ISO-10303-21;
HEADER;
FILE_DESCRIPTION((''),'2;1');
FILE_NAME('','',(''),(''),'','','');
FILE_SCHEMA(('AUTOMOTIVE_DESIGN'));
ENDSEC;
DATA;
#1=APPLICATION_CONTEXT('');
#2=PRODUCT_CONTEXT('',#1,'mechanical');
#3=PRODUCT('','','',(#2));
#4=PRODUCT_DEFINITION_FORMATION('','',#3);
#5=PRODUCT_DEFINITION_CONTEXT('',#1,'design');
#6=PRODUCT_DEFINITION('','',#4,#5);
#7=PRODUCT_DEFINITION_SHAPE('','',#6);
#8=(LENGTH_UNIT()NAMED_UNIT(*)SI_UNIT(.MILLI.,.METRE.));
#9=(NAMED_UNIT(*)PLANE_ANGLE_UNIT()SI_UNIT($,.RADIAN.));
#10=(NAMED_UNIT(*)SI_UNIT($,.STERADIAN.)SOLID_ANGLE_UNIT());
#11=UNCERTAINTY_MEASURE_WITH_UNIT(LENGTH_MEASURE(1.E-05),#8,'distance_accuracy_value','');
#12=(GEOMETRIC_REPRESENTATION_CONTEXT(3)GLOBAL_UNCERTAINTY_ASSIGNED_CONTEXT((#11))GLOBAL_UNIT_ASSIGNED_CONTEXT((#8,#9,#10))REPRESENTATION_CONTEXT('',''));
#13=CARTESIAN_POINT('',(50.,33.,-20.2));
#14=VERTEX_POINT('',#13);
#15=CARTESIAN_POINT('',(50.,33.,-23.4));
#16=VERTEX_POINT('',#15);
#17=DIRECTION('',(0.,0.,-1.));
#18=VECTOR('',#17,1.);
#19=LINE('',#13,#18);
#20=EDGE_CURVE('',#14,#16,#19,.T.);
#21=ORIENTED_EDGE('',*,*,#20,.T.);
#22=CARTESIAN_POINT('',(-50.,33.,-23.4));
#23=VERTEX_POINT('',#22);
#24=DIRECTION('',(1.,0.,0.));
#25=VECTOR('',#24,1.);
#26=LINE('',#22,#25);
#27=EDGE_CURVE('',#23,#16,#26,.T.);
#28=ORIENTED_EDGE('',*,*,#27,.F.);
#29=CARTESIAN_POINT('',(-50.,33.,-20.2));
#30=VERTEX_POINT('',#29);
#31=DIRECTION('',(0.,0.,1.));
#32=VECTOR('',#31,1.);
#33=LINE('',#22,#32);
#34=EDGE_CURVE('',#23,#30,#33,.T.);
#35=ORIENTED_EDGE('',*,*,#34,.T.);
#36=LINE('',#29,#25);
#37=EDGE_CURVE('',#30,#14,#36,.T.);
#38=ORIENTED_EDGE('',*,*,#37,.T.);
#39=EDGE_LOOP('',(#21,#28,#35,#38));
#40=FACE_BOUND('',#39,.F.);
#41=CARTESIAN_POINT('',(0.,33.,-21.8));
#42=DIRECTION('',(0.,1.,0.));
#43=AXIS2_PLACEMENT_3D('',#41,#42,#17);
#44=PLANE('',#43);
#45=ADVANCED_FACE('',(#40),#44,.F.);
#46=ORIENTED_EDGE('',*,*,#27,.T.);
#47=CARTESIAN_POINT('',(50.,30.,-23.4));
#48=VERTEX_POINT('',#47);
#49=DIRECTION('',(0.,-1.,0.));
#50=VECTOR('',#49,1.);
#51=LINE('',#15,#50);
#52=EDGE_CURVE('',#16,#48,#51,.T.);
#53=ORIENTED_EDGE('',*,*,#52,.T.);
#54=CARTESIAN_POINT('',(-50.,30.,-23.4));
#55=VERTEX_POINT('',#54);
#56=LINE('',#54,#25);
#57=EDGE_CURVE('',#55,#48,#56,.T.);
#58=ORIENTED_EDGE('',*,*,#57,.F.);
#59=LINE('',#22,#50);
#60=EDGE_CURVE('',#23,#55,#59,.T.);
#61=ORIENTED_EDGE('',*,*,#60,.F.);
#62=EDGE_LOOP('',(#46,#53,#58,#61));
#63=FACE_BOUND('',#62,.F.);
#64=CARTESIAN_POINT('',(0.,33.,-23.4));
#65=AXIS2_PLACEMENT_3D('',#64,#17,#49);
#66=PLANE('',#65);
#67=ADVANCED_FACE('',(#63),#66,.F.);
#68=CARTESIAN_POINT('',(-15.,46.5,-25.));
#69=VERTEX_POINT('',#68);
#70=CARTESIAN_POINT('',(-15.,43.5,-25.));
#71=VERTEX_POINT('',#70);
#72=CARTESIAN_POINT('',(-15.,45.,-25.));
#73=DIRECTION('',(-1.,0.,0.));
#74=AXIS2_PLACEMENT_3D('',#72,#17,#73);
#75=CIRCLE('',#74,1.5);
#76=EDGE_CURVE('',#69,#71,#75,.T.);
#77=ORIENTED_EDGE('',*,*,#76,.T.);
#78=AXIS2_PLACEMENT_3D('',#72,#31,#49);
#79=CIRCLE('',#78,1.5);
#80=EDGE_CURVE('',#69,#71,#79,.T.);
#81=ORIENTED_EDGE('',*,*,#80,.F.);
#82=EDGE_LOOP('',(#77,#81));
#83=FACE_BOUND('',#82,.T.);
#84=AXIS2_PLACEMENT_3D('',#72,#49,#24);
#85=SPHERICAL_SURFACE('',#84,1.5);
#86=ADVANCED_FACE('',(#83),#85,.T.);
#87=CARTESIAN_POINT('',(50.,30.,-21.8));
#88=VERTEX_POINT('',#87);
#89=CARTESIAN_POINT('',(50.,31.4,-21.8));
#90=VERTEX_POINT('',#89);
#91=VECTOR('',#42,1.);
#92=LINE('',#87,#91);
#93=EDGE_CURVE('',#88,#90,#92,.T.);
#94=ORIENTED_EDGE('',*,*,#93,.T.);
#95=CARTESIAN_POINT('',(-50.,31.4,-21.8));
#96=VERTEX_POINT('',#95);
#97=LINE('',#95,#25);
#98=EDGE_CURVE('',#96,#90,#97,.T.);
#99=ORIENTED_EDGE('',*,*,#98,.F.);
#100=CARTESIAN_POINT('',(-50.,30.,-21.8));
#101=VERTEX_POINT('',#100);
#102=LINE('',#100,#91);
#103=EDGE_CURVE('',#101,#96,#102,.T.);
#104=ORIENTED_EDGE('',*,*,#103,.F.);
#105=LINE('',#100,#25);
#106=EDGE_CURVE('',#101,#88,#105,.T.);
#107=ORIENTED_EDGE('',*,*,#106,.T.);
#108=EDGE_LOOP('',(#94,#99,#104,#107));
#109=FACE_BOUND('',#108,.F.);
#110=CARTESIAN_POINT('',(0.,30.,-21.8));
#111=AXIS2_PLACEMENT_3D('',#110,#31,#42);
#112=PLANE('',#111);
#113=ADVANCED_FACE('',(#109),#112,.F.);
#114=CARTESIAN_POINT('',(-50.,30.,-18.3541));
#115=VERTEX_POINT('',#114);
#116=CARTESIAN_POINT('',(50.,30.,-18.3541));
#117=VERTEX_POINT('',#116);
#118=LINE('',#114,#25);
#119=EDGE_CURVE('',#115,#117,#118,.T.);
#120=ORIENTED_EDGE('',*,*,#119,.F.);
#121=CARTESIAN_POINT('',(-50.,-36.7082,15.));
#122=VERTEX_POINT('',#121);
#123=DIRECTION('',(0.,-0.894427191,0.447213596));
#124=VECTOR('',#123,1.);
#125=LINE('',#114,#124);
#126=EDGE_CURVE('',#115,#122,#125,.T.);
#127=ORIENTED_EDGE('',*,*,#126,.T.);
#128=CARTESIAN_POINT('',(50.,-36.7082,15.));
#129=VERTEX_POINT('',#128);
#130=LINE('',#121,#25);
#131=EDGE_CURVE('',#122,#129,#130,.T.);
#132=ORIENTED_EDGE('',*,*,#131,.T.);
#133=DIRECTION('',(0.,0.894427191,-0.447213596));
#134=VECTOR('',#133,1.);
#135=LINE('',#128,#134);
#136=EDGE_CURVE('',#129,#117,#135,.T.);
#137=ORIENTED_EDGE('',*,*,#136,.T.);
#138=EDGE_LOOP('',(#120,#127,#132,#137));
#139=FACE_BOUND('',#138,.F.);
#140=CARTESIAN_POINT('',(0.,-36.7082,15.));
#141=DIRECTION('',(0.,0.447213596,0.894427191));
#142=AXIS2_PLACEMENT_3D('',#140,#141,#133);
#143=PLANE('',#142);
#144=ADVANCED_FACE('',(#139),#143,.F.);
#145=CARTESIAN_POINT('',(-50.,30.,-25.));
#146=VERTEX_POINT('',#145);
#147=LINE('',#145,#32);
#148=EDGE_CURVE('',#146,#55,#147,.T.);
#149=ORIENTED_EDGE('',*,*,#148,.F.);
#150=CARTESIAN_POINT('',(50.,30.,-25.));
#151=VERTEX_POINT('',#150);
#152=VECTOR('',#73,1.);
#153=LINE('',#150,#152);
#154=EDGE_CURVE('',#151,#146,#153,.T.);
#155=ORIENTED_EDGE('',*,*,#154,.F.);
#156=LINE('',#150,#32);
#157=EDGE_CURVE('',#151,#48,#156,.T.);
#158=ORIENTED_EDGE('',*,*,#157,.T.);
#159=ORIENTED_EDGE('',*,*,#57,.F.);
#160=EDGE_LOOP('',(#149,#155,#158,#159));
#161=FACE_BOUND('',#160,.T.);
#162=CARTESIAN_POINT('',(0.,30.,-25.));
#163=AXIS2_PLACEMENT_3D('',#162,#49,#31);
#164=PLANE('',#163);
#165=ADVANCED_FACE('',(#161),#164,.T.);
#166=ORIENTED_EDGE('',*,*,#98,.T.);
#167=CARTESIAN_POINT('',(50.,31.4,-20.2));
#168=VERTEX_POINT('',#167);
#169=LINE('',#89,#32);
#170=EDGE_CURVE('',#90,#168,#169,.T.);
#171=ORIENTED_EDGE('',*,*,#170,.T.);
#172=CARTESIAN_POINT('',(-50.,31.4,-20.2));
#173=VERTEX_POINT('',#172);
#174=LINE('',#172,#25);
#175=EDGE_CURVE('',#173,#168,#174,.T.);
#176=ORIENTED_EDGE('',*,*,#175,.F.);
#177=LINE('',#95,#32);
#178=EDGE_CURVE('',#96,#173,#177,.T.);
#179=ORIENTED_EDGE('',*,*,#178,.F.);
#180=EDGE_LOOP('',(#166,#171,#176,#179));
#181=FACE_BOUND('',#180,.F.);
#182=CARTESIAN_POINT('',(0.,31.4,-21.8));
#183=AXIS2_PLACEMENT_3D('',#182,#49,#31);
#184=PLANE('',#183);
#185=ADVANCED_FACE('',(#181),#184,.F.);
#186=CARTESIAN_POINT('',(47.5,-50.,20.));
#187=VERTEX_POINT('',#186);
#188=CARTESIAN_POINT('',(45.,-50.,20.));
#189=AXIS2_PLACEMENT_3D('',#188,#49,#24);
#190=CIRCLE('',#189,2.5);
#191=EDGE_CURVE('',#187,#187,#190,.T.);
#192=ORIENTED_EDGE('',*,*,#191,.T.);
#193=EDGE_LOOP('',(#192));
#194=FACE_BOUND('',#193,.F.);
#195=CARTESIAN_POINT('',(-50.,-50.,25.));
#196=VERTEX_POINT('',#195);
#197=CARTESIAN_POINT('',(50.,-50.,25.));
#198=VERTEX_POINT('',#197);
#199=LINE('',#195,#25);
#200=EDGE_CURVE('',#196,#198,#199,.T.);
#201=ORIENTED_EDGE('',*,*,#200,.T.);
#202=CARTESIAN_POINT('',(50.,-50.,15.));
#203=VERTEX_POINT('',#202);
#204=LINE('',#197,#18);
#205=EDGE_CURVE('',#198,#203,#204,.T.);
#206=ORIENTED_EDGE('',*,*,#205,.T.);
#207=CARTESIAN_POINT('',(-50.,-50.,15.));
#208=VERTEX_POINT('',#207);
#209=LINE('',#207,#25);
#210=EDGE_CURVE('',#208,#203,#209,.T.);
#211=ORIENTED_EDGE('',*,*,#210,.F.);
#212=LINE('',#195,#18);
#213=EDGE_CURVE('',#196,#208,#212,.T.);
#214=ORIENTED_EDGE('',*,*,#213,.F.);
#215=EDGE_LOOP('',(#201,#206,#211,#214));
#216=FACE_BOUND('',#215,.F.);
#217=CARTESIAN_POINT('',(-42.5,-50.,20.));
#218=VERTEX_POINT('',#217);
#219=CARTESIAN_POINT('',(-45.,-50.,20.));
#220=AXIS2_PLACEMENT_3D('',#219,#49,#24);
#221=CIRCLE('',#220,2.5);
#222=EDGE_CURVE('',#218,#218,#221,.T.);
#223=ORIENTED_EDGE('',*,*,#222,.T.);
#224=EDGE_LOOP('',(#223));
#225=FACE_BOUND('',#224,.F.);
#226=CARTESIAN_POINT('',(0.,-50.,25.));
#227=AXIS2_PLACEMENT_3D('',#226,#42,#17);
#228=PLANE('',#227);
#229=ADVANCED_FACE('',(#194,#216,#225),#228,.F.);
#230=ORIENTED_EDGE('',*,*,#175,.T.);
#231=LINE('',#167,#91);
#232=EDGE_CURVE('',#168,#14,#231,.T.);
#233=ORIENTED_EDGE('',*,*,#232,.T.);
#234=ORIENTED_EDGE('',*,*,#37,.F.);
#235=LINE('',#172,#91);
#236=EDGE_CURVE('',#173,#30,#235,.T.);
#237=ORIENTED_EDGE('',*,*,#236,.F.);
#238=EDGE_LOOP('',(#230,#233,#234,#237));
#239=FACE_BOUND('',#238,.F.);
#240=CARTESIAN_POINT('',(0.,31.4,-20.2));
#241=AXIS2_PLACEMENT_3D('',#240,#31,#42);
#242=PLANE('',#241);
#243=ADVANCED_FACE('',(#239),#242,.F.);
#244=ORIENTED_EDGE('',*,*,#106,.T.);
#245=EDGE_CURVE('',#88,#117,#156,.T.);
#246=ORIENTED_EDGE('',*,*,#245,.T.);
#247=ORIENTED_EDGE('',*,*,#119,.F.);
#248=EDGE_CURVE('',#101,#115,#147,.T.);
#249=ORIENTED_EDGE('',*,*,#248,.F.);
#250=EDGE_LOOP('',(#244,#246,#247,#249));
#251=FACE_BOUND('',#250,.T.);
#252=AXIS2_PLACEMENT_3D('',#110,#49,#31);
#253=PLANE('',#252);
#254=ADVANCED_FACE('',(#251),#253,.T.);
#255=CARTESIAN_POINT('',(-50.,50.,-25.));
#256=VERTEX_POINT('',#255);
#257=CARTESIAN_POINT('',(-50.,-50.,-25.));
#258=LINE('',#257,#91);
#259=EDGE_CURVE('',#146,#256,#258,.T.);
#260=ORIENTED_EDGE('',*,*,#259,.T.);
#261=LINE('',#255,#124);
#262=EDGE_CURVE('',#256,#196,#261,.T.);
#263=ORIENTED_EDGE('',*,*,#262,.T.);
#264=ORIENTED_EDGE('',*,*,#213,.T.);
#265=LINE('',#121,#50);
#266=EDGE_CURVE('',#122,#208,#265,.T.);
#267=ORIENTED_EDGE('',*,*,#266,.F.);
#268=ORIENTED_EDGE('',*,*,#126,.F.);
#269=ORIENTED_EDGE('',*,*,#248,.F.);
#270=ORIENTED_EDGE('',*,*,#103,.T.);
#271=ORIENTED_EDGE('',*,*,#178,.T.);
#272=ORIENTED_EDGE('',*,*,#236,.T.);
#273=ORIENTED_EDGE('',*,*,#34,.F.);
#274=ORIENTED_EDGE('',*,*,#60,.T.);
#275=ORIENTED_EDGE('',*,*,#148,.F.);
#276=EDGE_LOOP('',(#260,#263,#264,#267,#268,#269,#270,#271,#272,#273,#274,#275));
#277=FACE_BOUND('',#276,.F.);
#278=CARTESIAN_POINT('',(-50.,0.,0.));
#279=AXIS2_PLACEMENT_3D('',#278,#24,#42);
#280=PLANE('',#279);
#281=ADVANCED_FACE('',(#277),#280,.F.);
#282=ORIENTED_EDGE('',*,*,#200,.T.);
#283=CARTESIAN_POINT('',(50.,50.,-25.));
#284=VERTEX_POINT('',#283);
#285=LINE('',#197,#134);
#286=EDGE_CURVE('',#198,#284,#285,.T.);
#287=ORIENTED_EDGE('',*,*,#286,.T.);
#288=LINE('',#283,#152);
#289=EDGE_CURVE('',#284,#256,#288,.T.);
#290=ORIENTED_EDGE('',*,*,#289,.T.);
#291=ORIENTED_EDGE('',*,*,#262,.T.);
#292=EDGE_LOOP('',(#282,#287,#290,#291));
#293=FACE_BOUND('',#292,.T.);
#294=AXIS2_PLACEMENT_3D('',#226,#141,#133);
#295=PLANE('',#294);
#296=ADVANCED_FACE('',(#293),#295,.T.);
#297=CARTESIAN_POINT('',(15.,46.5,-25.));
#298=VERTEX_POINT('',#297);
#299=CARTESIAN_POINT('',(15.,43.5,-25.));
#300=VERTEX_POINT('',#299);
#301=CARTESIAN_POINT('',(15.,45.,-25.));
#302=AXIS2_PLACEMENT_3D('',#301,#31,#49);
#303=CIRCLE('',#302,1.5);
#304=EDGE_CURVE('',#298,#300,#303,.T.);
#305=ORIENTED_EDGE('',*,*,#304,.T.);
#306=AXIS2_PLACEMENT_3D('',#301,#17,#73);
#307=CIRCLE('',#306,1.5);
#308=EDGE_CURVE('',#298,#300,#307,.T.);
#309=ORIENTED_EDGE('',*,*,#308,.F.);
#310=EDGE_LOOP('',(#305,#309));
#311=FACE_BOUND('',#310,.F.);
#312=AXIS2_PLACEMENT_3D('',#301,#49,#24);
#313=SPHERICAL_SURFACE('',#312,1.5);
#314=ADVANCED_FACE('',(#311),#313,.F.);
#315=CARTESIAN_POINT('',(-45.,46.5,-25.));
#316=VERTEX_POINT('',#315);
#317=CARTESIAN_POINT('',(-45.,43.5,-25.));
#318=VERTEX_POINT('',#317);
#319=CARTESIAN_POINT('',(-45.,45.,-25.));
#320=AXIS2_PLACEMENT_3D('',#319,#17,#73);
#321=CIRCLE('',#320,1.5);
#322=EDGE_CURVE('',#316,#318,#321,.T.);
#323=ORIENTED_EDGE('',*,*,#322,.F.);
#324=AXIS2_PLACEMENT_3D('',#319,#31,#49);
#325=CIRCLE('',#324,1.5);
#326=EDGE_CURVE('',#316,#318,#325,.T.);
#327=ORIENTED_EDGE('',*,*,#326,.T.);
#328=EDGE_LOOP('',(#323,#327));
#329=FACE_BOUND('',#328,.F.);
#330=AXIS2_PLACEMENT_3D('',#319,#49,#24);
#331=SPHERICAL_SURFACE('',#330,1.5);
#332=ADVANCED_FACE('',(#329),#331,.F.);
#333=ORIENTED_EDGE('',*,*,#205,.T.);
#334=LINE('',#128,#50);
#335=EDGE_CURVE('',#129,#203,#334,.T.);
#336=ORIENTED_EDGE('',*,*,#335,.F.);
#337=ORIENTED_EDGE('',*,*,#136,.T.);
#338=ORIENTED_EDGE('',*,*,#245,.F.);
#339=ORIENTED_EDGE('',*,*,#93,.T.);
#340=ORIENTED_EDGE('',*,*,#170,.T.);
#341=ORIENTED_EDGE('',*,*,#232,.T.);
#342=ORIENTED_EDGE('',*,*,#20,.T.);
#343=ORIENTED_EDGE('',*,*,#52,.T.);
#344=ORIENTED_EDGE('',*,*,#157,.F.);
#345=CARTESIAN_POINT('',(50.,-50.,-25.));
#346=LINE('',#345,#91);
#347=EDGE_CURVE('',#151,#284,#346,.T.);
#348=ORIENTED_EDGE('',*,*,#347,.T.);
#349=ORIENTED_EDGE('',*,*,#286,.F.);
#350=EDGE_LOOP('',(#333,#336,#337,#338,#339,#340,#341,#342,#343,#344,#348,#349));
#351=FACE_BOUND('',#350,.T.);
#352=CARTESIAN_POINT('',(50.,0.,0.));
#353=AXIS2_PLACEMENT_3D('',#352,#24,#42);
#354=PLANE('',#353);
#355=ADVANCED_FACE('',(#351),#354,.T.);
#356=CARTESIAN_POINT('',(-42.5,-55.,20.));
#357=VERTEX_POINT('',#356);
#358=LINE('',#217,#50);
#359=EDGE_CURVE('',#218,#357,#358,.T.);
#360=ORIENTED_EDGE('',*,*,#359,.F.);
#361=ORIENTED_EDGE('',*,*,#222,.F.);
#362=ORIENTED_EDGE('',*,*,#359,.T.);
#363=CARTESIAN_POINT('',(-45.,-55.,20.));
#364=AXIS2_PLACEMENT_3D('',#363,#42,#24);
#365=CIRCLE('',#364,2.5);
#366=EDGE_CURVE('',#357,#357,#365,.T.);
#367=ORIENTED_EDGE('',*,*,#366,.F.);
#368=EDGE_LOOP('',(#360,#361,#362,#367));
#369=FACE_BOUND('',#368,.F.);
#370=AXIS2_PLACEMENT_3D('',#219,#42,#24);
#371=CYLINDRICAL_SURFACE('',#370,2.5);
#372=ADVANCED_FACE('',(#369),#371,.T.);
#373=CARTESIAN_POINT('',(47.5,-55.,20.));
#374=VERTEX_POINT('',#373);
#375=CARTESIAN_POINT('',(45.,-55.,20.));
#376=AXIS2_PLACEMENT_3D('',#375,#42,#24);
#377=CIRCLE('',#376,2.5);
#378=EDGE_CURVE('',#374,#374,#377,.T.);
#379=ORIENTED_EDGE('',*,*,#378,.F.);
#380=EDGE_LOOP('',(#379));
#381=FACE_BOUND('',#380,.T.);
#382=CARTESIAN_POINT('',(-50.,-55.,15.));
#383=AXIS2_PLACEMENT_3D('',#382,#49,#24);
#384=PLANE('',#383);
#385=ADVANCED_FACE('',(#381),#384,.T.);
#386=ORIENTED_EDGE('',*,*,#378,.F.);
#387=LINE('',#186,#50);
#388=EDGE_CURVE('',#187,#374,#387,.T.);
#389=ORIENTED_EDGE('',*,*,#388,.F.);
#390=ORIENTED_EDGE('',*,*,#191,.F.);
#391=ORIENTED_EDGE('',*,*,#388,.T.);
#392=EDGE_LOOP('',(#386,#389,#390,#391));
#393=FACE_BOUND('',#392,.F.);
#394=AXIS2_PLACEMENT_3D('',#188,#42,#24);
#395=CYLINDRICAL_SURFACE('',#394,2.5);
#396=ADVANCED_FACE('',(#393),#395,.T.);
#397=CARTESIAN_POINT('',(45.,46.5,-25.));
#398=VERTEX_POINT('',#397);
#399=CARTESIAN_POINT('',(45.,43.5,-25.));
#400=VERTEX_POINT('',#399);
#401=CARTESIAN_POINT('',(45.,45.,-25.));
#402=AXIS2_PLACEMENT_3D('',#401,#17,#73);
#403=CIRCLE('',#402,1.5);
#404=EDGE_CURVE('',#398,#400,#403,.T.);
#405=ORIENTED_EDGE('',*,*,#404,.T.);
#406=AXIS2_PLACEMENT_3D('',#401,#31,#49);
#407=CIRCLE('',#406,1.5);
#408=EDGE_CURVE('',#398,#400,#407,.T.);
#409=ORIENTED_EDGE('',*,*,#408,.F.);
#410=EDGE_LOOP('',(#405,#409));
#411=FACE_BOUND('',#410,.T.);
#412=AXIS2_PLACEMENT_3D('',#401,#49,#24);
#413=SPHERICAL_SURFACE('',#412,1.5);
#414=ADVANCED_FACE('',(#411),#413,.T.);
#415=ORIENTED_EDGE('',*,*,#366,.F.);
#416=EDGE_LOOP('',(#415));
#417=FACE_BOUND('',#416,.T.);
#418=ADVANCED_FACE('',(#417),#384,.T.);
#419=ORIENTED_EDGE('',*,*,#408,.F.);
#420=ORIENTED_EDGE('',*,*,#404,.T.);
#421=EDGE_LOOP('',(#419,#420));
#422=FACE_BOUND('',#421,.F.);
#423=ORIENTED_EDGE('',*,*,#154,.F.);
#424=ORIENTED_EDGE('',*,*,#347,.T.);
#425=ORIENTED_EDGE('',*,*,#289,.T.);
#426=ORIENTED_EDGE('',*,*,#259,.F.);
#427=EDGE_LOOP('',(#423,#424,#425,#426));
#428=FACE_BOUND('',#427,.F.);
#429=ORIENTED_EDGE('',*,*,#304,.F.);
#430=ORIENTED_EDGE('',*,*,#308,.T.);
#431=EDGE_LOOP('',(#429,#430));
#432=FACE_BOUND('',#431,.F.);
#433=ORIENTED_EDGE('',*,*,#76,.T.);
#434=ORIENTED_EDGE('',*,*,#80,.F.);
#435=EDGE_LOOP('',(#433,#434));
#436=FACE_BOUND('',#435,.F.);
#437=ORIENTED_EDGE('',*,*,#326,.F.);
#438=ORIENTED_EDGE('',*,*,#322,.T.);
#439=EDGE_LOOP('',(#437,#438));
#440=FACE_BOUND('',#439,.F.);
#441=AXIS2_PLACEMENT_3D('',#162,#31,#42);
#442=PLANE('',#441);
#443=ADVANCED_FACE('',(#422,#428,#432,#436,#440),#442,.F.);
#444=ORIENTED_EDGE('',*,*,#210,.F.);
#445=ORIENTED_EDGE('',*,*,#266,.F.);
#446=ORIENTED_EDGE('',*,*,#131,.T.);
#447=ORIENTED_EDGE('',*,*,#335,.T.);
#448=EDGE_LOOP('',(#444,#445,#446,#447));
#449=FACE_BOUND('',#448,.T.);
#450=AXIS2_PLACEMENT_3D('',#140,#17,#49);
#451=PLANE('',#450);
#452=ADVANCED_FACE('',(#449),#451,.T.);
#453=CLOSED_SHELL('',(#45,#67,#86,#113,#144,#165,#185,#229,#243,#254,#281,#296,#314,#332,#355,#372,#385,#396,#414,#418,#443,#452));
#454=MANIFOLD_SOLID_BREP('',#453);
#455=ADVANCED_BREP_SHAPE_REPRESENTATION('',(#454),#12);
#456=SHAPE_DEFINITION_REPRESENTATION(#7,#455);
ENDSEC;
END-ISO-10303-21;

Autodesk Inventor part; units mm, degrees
sketch "Sketch1" plane through (0, 0, 0) normal (1, 0, 0) x (0, 1, 0)
  line L0 (50, 25) -> (-50, 25)
  line L1 (-50, 25) -> (-50, -25)
  line L2 (-50, -25) -> (50, -25)
  line L3 (50, -25) -> (50, 25)
  line L4 (-70, 0) -> (70, 0) projected
  line L5 (0, 35) -> (0, -35) projected
  line L6 (-50, 25) -> (50, -25)
  line L7 (-36.7082, 15) -> (30, -18.3541)
  line L8 (-36.7082, 15) -> (-50, 15)
  line L9 (30, -25) -> (30, -18.3541)
  line L10 (30, -21.8) -> (33, -21.8)
  line L11 (33, -21.8) -> (33, -23.4)
  line L12 (33, -23.4) -> (30, -23.4)
  line L13 (30, -23.4) -> (30, -21.8)
  line L14 (33, -21.8) -> (31.4, -21.8)
  line L15 (31.4, -21.8) -> (31.4, -20.2)
  line L16 (31.4, -20.2) -> (33, -20.2)
  line L17 (33, -20.2) -> (33, -21.8)
  point P0 (0, 0)
  point P1 (50, 0)
  point P2 (0, 25)
  point P3 (43.2918, -25)
  point P4 (-50, 21.6459)
  dimension "d0" = 50
  dimension "d1" = 100
  dimension "d2" = 3
  dimension "d5" = 10
  dimension "d6" = 20
  dimension "d95" = 3
  dimension "d96" = 1.6
  dimension "d97" = 1.6
  dimension "d98" = 1.6
  dimension "d99" = 1.6
extrude "Extrusion1" add sketch "Sketch1" along normal mid plane 100 contours L6 L4 L7 L8 L1 | L5 L7 L4 | L6 L2 L9 L12 L11 L17 L16 L15 L10 L7 L5
sketch "Sketch4" plane through (50, 50, -25) normal (0, 0, -1) x (-1, 0, 0)
  circle A0 centre (5, -5) radius 1.5
  line L0 (0, -20) -> (0, 0) projected
  line L1 (100, 0) -> (0, 0) projected
  line L2 (5, -3.5) -> (5, -6.5)
  circle A1 centre (35, -5) radius 1.5
  line L3 (35, -3.5) -> (35, -6.5)
  circle A2 centre (65, -5) radius 1.5
  line L4 (65, -3.5) -> (65, -6.5)
  circle A3 centre (95, -5) radius 1.5
  line L5 (95, -3.5) -> (95, -6.5)
  point P0 (50, -50)
  point P1 (0, -100)
  dimension "d45" = 3
  dimension "d46" = 5
  dimension "d47" = 5
  dimension "d48" = 3
  dimension "d107" = 3
  dimension "d108" = 5
  dimension "d109" = 30
  dimension "d110" = 3
  dimension "d120" = 60
  dimension "d127" = 60
revolve "Revolution2" add sketch "Sketch4" angle 360 about axis through (45, 46.5, -25) along (0, -1, 0) picked at (4.5036, -4.9397) contours L2 A0
revolve "Revolution3" cut sketch "Sketch4" angle 360 about axis through (15, 46.5, -25) along (0, -1, 0) picked at (34.5036, -5.0603) contours L3 A1
revolve "Revolution4" add sketch "Sketch4" angle 360 about axis through (-15, 46.5, -25) along (0, -1, 0) picked at (64.2365, -5.2413) contours L4 A2
revolve "Revolution5" cut sketch "Sketch4" angle 360 about axis through (-45, 46.5, -25) along (0, -1, 0) picked at (94.1238, -4.716) contours L5 A3
sketch "Sketch5" plane through (-50, -50, 15) normal (0, -1, 0) x (1, 0, 0)
  circle A0 centre (5, 5) radius 2.5
  line L0 (0, 0) -> (0, 10) projected
  line L1 (0, 10) -> (100, 10) projected
  line L2 (50, 20) -> (50, -50) projected
  circle A1 centre (95, 5) radius 2.5
  line L3 (0, 5) -> (100, 5)
  line L4 (100, -40) -> (100, 10) projected
  point P0 (50, -15)
  dimension "d76" = 5
  dimension "d77" = 5
extrude "Extrusion3" add sketch "Sketch5" along normal blind 5 contours L3 A0 | A0 L3 | L3 A1 | A1 L3
properties part number "Roof_Large"
